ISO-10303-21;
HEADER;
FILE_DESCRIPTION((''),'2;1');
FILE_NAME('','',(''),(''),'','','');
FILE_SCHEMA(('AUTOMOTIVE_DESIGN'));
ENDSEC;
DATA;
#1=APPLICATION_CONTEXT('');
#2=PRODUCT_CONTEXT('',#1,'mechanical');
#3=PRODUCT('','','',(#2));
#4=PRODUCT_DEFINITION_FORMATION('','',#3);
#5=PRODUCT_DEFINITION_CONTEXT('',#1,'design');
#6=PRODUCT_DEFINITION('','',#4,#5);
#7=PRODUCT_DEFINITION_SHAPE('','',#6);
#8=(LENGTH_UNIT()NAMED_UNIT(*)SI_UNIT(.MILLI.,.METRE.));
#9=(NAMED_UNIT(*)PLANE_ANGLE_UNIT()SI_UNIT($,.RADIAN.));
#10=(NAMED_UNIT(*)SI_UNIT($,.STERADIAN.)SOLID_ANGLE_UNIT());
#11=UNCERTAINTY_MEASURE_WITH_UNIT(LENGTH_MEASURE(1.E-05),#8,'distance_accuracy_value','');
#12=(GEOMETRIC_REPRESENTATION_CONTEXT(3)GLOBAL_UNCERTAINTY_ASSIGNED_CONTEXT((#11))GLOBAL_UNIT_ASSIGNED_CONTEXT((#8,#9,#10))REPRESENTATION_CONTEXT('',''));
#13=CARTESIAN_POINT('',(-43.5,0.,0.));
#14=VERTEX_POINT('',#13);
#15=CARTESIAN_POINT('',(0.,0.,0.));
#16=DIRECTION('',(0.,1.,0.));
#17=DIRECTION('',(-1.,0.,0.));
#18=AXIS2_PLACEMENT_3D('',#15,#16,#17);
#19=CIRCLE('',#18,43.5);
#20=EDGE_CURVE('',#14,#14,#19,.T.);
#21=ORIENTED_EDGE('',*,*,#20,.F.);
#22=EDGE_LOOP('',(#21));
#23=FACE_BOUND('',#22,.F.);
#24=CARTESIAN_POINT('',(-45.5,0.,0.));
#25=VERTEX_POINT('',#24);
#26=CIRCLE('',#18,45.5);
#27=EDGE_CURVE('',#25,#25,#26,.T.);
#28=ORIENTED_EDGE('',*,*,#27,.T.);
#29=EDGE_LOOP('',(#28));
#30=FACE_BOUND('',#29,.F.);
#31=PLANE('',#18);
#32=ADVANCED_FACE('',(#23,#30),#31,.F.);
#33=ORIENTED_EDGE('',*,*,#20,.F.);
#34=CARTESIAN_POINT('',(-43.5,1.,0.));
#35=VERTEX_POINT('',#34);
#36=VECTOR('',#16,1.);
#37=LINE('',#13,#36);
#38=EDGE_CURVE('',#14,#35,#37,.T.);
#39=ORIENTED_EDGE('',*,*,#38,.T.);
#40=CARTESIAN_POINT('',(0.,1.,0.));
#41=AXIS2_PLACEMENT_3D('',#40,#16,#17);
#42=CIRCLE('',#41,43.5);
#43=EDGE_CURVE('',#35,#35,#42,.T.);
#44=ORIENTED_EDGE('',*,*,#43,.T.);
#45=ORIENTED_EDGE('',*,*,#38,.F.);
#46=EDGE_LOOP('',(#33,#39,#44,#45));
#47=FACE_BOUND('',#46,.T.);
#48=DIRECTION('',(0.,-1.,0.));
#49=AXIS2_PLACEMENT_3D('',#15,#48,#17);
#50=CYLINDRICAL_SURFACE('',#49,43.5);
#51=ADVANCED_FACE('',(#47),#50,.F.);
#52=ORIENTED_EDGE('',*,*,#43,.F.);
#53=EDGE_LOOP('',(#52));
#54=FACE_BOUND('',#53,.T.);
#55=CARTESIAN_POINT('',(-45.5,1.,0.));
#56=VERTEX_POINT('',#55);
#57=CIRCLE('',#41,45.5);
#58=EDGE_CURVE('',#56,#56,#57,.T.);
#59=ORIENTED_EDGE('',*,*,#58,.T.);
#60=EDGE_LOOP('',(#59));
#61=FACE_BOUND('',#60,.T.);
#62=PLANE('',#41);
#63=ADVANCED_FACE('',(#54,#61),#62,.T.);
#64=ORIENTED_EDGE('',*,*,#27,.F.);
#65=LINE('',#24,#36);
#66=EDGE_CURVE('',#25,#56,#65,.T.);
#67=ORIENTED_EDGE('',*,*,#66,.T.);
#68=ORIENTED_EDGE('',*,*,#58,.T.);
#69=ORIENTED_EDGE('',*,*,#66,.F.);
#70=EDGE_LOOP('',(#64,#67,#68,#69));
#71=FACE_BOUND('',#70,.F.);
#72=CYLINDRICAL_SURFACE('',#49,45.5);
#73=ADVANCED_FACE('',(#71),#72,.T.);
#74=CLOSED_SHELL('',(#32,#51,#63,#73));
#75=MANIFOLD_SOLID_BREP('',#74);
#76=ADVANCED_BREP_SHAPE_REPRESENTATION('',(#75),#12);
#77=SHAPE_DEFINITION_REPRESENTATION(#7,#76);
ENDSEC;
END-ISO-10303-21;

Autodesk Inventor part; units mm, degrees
ref_plane "YZ Plane" through (0, 0, 0) normal (1, 0, 0) x (0, 1, 0)
ref_plane "XZ Plane" through (0, 0, 0) normal (0, 1, 0) x (-1, 0, 0)
ref_plane "XY Plane" through (0, 0, 0) normal (0, 0, 1) x (1, 0, 0)
sketch "Sketch1" plane through (0, 0, 0) normal (0, 1, 0) x (-1, 0, 0)
  circle A0 centre (0, 0) radius 47
  circle A1 centre (0, 0) radius 42
  circle A2 centre (0, 0) radius 43.5
  circle A3 centre (0, 0) radius 45.5
  dimension "d0" = 94
  dimension "d1" = 84
  dimension "d2" = 87
  dimension "d3" = 91
extrude "Extrusion1" add sketch "Sketch1" along normal blind 1 contours A3
properties part number "Ring_Dichtung" material "Rubber, Silicone"
